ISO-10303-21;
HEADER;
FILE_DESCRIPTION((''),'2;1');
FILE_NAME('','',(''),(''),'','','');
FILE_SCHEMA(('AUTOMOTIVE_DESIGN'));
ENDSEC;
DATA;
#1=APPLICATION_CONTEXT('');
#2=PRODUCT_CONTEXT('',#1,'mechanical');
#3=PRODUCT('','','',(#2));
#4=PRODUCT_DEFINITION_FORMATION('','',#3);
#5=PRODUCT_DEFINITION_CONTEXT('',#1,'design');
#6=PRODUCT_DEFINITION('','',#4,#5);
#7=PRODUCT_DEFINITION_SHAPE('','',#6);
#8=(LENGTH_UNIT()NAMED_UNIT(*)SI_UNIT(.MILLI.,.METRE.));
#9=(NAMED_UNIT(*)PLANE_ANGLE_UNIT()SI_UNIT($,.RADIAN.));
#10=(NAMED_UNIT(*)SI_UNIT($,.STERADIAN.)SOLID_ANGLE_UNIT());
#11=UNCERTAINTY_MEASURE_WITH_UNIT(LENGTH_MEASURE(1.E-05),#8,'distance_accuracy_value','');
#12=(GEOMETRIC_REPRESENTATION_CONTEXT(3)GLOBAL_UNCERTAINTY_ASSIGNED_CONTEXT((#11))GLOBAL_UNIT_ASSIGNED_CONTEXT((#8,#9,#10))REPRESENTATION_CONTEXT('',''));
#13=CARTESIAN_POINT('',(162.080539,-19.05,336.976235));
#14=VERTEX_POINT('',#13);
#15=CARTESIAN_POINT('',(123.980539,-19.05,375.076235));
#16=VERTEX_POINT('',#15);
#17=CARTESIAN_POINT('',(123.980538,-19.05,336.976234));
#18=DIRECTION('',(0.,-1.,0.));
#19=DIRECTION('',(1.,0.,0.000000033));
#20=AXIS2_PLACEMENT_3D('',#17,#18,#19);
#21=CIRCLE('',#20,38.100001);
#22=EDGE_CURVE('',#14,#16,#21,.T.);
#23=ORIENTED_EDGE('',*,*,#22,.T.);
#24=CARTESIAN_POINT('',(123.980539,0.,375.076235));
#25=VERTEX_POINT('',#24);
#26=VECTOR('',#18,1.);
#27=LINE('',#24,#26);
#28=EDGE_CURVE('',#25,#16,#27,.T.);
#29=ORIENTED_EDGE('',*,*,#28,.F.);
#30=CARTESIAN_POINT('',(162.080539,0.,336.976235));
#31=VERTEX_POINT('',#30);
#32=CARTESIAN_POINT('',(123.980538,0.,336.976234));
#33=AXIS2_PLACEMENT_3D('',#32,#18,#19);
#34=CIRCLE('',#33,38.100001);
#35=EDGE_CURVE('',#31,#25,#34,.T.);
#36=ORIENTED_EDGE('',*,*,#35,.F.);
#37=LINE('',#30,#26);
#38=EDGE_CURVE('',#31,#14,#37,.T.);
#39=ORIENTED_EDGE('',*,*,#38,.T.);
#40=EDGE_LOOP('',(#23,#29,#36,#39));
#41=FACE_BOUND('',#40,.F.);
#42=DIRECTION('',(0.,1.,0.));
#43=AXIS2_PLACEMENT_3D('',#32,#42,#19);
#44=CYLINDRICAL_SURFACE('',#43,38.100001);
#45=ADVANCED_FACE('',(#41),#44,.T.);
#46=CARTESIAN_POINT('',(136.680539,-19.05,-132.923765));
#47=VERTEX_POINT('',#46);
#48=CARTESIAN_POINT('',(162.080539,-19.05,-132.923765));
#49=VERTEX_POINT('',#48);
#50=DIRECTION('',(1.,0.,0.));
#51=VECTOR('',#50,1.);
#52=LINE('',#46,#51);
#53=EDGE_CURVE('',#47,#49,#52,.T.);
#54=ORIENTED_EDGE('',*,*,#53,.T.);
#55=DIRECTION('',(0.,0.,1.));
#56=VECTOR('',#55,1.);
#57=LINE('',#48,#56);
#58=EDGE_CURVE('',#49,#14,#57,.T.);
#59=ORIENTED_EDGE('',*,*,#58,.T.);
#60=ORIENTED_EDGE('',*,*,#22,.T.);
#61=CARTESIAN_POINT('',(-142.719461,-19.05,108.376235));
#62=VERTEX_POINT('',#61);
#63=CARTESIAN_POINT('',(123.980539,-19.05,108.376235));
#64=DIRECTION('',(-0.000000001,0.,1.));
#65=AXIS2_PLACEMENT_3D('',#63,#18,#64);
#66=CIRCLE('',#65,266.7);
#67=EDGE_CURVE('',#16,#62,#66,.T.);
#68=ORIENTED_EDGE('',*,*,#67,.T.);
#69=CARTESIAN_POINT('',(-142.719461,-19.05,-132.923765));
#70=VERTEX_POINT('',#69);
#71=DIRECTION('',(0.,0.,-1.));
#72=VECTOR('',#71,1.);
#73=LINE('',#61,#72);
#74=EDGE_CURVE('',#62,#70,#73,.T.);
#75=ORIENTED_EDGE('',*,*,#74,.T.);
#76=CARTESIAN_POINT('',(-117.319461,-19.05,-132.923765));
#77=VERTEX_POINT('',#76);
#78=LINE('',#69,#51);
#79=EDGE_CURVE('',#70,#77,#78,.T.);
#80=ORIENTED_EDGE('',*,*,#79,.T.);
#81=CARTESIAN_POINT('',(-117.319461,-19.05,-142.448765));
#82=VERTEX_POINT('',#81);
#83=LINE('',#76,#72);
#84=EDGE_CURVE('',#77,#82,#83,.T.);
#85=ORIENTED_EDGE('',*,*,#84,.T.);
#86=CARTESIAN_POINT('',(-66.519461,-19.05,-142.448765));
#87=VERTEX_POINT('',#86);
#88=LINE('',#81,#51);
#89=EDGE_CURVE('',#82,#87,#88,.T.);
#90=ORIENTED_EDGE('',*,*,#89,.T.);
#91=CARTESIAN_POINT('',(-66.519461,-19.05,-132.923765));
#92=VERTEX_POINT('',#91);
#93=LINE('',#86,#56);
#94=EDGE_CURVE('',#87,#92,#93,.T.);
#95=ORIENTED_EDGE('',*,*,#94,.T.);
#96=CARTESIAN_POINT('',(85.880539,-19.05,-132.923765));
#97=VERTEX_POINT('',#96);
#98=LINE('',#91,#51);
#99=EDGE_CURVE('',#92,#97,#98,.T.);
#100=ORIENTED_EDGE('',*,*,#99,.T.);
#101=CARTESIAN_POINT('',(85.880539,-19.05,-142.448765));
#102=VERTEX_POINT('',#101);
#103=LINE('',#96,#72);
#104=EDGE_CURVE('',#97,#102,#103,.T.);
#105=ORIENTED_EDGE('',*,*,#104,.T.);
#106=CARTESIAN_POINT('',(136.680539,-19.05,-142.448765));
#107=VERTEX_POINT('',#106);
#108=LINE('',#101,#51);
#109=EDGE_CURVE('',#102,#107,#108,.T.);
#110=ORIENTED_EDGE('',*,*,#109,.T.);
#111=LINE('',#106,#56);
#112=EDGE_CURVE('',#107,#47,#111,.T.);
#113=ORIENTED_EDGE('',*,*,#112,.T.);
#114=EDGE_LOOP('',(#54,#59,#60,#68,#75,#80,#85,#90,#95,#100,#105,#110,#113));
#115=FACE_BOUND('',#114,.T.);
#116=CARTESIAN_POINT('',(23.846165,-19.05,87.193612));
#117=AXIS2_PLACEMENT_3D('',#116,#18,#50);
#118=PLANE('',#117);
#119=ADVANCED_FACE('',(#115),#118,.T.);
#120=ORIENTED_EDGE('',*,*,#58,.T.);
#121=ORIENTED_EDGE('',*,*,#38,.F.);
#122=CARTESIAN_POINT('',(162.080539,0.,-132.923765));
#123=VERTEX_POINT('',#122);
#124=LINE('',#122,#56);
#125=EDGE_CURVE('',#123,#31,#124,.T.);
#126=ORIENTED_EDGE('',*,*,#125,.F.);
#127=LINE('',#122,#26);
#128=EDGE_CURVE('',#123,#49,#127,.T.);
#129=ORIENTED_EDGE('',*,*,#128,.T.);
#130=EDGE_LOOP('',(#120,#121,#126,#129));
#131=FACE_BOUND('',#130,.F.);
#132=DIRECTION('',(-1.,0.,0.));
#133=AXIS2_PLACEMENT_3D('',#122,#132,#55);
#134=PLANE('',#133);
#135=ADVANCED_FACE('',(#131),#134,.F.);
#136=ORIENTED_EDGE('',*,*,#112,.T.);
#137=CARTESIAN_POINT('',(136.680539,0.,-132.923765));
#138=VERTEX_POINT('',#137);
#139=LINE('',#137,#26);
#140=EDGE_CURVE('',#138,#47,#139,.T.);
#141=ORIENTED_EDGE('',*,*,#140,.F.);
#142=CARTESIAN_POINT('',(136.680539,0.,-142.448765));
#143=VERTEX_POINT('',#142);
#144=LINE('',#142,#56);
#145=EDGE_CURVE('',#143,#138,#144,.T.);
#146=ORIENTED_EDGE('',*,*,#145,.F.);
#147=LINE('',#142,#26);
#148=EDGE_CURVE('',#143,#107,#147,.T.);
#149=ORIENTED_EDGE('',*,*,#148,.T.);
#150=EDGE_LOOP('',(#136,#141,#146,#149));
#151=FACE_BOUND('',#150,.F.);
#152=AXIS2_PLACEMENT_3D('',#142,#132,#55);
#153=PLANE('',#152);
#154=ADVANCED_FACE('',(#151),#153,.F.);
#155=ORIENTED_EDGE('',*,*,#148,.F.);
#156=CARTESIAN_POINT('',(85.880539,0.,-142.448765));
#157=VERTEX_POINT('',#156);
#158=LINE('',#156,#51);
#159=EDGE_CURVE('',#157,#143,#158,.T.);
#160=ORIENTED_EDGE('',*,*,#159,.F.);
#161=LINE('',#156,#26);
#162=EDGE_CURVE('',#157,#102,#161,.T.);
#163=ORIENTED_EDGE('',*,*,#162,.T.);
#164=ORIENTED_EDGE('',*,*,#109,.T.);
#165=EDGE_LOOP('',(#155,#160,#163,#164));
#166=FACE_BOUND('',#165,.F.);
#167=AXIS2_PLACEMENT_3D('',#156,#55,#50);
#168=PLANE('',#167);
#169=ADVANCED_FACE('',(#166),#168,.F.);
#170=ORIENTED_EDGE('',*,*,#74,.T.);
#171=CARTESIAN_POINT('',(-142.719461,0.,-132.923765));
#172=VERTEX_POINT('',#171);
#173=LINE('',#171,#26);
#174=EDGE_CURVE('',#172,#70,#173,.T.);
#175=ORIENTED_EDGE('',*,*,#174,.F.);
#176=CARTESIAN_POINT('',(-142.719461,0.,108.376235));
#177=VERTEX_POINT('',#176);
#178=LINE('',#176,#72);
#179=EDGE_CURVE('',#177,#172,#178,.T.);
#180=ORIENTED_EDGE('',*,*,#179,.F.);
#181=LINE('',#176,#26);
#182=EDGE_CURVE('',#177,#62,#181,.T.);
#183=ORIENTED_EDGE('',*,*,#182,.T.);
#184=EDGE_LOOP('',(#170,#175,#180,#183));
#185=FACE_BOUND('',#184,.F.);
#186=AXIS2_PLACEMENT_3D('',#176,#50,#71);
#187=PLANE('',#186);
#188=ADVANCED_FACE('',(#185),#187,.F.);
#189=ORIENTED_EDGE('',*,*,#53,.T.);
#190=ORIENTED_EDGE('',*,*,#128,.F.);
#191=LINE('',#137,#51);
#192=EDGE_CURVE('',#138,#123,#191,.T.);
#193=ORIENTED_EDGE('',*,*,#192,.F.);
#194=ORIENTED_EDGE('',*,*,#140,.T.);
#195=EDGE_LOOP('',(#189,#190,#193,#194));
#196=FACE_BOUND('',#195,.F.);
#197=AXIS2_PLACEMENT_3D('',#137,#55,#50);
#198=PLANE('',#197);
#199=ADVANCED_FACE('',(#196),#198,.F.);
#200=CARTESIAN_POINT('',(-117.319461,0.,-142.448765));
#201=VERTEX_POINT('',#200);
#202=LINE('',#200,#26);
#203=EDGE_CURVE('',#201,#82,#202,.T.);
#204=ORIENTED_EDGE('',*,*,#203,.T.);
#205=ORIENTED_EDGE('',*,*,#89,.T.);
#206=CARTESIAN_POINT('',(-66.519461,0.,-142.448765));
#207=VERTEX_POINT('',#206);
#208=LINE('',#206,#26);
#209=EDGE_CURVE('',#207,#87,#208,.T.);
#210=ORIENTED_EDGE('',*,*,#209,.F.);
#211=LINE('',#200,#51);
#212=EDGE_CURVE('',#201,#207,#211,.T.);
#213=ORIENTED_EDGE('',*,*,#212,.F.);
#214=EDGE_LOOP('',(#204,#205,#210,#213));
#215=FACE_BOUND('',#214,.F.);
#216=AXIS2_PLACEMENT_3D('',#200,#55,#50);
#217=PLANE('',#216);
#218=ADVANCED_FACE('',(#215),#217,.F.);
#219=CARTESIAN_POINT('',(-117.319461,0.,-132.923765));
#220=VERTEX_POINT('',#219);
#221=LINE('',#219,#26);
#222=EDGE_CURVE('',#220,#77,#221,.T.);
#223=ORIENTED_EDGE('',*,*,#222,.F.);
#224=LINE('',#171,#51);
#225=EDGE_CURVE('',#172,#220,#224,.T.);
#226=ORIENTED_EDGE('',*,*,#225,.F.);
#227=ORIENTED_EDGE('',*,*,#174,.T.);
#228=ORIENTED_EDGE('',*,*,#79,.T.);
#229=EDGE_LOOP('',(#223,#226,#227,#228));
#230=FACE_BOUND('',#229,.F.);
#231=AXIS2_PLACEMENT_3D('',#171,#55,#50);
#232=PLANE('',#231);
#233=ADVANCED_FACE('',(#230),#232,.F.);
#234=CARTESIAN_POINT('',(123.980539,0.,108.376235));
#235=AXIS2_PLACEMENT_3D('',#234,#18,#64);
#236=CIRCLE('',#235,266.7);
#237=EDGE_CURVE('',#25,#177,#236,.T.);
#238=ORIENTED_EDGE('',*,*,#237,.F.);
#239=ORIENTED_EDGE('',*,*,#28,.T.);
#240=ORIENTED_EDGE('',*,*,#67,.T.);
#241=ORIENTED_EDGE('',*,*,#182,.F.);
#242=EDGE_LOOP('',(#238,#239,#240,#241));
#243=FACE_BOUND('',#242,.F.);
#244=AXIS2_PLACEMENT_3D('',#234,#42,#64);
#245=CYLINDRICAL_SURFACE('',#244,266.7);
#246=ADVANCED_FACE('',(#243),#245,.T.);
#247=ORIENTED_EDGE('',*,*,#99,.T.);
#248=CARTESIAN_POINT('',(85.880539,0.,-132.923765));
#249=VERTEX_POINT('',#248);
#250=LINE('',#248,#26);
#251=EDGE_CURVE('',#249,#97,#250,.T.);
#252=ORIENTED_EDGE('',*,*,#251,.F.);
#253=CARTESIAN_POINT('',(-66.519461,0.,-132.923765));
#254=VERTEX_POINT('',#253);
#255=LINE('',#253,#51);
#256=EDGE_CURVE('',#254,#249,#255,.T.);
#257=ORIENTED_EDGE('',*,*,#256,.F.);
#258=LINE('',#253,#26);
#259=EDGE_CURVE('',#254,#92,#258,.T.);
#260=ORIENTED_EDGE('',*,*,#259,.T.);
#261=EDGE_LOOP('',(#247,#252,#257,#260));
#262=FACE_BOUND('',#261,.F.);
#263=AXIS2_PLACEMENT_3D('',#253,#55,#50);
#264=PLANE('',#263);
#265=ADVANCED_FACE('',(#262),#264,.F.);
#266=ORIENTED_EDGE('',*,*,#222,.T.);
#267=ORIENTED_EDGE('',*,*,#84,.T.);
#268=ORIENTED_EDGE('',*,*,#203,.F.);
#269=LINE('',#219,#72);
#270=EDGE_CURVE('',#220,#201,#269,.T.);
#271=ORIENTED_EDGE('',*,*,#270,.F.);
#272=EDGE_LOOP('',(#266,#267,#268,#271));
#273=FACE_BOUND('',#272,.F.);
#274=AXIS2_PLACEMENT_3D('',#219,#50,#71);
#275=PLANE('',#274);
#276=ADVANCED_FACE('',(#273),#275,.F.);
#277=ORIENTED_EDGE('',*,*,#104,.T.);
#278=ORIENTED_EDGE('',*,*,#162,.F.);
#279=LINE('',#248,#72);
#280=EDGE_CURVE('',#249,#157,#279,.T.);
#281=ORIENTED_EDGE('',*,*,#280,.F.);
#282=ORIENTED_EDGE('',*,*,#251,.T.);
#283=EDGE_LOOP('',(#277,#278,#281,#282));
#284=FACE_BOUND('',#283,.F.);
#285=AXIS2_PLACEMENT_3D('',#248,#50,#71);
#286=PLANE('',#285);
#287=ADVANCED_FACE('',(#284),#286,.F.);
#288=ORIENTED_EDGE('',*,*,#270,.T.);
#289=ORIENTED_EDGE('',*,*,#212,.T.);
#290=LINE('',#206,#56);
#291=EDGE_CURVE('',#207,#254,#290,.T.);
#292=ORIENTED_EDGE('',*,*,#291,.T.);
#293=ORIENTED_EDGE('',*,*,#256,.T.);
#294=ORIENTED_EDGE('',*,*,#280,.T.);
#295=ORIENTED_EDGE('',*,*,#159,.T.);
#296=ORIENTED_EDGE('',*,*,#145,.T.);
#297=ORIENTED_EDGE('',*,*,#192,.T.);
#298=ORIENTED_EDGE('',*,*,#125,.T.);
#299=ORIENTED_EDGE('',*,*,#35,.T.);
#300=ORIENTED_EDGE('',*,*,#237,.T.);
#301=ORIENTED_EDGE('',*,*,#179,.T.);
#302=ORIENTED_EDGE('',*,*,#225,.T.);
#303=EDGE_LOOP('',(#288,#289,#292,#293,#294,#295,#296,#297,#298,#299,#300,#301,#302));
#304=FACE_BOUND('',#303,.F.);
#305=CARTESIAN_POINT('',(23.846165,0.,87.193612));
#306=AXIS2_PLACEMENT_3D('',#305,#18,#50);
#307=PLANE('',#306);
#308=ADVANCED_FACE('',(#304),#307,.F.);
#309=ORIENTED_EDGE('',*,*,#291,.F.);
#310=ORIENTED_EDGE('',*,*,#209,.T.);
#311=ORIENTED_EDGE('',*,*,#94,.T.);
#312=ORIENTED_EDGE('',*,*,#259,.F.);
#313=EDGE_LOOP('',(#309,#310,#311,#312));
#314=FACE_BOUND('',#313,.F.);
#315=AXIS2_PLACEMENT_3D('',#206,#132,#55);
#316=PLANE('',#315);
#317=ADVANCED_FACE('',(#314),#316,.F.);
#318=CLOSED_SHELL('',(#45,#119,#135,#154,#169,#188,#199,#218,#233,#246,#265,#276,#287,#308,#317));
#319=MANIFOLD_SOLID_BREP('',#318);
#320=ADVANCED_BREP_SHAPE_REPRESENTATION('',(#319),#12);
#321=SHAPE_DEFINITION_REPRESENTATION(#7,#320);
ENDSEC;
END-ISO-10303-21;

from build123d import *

# Parameters (mm, degrees)
F1_DEPTH = 19.05


with BuildPart() as f1:
    # F0 (on Front) → F1 (new body)
    with BuildSketch(Plane.XZ):
        with BuildLine():
            Line((-142.719461, 108.376235), (-142.719461, -132.923765))
            Line((-142.719461, -132.923765), (-117.319461, -132.923765))
            Line((-117.319461, -132.923765), (-117.319461, -142.448765))
            Line((-117.319461, -142.448765), (-66.519461, -142.448765))
            Line((-66.519461, -142.448765), (-66.519461, -132.923765))
            Line((-66.519461, -132.923765), (85.880539, -132.923765))
            Line((85.880539, -132.923765), (85.880539, -142.448765))
            Line((85.880539, -142.448765), (136.680539, -142.448765))
            Line((136.680539, -142.448765), (136.680539, -132.923765))
            Line((136.680539, -132.923765), (162.080539, -132.923765))
            Line((162.080539, -132.923765), (162.080539, 336.976235))
            ThreePointArc((162.080539, 336.976235), (150.921307, 363.917003), (123.980539, 375.076235))
            ThreePointArc((123.980539, 375.076235), (-64.60484, 296.961613), (-142.719461, 108.376235))
        make_face()
    extrude(amount=F1_DEPTH)


solid = f1.part
